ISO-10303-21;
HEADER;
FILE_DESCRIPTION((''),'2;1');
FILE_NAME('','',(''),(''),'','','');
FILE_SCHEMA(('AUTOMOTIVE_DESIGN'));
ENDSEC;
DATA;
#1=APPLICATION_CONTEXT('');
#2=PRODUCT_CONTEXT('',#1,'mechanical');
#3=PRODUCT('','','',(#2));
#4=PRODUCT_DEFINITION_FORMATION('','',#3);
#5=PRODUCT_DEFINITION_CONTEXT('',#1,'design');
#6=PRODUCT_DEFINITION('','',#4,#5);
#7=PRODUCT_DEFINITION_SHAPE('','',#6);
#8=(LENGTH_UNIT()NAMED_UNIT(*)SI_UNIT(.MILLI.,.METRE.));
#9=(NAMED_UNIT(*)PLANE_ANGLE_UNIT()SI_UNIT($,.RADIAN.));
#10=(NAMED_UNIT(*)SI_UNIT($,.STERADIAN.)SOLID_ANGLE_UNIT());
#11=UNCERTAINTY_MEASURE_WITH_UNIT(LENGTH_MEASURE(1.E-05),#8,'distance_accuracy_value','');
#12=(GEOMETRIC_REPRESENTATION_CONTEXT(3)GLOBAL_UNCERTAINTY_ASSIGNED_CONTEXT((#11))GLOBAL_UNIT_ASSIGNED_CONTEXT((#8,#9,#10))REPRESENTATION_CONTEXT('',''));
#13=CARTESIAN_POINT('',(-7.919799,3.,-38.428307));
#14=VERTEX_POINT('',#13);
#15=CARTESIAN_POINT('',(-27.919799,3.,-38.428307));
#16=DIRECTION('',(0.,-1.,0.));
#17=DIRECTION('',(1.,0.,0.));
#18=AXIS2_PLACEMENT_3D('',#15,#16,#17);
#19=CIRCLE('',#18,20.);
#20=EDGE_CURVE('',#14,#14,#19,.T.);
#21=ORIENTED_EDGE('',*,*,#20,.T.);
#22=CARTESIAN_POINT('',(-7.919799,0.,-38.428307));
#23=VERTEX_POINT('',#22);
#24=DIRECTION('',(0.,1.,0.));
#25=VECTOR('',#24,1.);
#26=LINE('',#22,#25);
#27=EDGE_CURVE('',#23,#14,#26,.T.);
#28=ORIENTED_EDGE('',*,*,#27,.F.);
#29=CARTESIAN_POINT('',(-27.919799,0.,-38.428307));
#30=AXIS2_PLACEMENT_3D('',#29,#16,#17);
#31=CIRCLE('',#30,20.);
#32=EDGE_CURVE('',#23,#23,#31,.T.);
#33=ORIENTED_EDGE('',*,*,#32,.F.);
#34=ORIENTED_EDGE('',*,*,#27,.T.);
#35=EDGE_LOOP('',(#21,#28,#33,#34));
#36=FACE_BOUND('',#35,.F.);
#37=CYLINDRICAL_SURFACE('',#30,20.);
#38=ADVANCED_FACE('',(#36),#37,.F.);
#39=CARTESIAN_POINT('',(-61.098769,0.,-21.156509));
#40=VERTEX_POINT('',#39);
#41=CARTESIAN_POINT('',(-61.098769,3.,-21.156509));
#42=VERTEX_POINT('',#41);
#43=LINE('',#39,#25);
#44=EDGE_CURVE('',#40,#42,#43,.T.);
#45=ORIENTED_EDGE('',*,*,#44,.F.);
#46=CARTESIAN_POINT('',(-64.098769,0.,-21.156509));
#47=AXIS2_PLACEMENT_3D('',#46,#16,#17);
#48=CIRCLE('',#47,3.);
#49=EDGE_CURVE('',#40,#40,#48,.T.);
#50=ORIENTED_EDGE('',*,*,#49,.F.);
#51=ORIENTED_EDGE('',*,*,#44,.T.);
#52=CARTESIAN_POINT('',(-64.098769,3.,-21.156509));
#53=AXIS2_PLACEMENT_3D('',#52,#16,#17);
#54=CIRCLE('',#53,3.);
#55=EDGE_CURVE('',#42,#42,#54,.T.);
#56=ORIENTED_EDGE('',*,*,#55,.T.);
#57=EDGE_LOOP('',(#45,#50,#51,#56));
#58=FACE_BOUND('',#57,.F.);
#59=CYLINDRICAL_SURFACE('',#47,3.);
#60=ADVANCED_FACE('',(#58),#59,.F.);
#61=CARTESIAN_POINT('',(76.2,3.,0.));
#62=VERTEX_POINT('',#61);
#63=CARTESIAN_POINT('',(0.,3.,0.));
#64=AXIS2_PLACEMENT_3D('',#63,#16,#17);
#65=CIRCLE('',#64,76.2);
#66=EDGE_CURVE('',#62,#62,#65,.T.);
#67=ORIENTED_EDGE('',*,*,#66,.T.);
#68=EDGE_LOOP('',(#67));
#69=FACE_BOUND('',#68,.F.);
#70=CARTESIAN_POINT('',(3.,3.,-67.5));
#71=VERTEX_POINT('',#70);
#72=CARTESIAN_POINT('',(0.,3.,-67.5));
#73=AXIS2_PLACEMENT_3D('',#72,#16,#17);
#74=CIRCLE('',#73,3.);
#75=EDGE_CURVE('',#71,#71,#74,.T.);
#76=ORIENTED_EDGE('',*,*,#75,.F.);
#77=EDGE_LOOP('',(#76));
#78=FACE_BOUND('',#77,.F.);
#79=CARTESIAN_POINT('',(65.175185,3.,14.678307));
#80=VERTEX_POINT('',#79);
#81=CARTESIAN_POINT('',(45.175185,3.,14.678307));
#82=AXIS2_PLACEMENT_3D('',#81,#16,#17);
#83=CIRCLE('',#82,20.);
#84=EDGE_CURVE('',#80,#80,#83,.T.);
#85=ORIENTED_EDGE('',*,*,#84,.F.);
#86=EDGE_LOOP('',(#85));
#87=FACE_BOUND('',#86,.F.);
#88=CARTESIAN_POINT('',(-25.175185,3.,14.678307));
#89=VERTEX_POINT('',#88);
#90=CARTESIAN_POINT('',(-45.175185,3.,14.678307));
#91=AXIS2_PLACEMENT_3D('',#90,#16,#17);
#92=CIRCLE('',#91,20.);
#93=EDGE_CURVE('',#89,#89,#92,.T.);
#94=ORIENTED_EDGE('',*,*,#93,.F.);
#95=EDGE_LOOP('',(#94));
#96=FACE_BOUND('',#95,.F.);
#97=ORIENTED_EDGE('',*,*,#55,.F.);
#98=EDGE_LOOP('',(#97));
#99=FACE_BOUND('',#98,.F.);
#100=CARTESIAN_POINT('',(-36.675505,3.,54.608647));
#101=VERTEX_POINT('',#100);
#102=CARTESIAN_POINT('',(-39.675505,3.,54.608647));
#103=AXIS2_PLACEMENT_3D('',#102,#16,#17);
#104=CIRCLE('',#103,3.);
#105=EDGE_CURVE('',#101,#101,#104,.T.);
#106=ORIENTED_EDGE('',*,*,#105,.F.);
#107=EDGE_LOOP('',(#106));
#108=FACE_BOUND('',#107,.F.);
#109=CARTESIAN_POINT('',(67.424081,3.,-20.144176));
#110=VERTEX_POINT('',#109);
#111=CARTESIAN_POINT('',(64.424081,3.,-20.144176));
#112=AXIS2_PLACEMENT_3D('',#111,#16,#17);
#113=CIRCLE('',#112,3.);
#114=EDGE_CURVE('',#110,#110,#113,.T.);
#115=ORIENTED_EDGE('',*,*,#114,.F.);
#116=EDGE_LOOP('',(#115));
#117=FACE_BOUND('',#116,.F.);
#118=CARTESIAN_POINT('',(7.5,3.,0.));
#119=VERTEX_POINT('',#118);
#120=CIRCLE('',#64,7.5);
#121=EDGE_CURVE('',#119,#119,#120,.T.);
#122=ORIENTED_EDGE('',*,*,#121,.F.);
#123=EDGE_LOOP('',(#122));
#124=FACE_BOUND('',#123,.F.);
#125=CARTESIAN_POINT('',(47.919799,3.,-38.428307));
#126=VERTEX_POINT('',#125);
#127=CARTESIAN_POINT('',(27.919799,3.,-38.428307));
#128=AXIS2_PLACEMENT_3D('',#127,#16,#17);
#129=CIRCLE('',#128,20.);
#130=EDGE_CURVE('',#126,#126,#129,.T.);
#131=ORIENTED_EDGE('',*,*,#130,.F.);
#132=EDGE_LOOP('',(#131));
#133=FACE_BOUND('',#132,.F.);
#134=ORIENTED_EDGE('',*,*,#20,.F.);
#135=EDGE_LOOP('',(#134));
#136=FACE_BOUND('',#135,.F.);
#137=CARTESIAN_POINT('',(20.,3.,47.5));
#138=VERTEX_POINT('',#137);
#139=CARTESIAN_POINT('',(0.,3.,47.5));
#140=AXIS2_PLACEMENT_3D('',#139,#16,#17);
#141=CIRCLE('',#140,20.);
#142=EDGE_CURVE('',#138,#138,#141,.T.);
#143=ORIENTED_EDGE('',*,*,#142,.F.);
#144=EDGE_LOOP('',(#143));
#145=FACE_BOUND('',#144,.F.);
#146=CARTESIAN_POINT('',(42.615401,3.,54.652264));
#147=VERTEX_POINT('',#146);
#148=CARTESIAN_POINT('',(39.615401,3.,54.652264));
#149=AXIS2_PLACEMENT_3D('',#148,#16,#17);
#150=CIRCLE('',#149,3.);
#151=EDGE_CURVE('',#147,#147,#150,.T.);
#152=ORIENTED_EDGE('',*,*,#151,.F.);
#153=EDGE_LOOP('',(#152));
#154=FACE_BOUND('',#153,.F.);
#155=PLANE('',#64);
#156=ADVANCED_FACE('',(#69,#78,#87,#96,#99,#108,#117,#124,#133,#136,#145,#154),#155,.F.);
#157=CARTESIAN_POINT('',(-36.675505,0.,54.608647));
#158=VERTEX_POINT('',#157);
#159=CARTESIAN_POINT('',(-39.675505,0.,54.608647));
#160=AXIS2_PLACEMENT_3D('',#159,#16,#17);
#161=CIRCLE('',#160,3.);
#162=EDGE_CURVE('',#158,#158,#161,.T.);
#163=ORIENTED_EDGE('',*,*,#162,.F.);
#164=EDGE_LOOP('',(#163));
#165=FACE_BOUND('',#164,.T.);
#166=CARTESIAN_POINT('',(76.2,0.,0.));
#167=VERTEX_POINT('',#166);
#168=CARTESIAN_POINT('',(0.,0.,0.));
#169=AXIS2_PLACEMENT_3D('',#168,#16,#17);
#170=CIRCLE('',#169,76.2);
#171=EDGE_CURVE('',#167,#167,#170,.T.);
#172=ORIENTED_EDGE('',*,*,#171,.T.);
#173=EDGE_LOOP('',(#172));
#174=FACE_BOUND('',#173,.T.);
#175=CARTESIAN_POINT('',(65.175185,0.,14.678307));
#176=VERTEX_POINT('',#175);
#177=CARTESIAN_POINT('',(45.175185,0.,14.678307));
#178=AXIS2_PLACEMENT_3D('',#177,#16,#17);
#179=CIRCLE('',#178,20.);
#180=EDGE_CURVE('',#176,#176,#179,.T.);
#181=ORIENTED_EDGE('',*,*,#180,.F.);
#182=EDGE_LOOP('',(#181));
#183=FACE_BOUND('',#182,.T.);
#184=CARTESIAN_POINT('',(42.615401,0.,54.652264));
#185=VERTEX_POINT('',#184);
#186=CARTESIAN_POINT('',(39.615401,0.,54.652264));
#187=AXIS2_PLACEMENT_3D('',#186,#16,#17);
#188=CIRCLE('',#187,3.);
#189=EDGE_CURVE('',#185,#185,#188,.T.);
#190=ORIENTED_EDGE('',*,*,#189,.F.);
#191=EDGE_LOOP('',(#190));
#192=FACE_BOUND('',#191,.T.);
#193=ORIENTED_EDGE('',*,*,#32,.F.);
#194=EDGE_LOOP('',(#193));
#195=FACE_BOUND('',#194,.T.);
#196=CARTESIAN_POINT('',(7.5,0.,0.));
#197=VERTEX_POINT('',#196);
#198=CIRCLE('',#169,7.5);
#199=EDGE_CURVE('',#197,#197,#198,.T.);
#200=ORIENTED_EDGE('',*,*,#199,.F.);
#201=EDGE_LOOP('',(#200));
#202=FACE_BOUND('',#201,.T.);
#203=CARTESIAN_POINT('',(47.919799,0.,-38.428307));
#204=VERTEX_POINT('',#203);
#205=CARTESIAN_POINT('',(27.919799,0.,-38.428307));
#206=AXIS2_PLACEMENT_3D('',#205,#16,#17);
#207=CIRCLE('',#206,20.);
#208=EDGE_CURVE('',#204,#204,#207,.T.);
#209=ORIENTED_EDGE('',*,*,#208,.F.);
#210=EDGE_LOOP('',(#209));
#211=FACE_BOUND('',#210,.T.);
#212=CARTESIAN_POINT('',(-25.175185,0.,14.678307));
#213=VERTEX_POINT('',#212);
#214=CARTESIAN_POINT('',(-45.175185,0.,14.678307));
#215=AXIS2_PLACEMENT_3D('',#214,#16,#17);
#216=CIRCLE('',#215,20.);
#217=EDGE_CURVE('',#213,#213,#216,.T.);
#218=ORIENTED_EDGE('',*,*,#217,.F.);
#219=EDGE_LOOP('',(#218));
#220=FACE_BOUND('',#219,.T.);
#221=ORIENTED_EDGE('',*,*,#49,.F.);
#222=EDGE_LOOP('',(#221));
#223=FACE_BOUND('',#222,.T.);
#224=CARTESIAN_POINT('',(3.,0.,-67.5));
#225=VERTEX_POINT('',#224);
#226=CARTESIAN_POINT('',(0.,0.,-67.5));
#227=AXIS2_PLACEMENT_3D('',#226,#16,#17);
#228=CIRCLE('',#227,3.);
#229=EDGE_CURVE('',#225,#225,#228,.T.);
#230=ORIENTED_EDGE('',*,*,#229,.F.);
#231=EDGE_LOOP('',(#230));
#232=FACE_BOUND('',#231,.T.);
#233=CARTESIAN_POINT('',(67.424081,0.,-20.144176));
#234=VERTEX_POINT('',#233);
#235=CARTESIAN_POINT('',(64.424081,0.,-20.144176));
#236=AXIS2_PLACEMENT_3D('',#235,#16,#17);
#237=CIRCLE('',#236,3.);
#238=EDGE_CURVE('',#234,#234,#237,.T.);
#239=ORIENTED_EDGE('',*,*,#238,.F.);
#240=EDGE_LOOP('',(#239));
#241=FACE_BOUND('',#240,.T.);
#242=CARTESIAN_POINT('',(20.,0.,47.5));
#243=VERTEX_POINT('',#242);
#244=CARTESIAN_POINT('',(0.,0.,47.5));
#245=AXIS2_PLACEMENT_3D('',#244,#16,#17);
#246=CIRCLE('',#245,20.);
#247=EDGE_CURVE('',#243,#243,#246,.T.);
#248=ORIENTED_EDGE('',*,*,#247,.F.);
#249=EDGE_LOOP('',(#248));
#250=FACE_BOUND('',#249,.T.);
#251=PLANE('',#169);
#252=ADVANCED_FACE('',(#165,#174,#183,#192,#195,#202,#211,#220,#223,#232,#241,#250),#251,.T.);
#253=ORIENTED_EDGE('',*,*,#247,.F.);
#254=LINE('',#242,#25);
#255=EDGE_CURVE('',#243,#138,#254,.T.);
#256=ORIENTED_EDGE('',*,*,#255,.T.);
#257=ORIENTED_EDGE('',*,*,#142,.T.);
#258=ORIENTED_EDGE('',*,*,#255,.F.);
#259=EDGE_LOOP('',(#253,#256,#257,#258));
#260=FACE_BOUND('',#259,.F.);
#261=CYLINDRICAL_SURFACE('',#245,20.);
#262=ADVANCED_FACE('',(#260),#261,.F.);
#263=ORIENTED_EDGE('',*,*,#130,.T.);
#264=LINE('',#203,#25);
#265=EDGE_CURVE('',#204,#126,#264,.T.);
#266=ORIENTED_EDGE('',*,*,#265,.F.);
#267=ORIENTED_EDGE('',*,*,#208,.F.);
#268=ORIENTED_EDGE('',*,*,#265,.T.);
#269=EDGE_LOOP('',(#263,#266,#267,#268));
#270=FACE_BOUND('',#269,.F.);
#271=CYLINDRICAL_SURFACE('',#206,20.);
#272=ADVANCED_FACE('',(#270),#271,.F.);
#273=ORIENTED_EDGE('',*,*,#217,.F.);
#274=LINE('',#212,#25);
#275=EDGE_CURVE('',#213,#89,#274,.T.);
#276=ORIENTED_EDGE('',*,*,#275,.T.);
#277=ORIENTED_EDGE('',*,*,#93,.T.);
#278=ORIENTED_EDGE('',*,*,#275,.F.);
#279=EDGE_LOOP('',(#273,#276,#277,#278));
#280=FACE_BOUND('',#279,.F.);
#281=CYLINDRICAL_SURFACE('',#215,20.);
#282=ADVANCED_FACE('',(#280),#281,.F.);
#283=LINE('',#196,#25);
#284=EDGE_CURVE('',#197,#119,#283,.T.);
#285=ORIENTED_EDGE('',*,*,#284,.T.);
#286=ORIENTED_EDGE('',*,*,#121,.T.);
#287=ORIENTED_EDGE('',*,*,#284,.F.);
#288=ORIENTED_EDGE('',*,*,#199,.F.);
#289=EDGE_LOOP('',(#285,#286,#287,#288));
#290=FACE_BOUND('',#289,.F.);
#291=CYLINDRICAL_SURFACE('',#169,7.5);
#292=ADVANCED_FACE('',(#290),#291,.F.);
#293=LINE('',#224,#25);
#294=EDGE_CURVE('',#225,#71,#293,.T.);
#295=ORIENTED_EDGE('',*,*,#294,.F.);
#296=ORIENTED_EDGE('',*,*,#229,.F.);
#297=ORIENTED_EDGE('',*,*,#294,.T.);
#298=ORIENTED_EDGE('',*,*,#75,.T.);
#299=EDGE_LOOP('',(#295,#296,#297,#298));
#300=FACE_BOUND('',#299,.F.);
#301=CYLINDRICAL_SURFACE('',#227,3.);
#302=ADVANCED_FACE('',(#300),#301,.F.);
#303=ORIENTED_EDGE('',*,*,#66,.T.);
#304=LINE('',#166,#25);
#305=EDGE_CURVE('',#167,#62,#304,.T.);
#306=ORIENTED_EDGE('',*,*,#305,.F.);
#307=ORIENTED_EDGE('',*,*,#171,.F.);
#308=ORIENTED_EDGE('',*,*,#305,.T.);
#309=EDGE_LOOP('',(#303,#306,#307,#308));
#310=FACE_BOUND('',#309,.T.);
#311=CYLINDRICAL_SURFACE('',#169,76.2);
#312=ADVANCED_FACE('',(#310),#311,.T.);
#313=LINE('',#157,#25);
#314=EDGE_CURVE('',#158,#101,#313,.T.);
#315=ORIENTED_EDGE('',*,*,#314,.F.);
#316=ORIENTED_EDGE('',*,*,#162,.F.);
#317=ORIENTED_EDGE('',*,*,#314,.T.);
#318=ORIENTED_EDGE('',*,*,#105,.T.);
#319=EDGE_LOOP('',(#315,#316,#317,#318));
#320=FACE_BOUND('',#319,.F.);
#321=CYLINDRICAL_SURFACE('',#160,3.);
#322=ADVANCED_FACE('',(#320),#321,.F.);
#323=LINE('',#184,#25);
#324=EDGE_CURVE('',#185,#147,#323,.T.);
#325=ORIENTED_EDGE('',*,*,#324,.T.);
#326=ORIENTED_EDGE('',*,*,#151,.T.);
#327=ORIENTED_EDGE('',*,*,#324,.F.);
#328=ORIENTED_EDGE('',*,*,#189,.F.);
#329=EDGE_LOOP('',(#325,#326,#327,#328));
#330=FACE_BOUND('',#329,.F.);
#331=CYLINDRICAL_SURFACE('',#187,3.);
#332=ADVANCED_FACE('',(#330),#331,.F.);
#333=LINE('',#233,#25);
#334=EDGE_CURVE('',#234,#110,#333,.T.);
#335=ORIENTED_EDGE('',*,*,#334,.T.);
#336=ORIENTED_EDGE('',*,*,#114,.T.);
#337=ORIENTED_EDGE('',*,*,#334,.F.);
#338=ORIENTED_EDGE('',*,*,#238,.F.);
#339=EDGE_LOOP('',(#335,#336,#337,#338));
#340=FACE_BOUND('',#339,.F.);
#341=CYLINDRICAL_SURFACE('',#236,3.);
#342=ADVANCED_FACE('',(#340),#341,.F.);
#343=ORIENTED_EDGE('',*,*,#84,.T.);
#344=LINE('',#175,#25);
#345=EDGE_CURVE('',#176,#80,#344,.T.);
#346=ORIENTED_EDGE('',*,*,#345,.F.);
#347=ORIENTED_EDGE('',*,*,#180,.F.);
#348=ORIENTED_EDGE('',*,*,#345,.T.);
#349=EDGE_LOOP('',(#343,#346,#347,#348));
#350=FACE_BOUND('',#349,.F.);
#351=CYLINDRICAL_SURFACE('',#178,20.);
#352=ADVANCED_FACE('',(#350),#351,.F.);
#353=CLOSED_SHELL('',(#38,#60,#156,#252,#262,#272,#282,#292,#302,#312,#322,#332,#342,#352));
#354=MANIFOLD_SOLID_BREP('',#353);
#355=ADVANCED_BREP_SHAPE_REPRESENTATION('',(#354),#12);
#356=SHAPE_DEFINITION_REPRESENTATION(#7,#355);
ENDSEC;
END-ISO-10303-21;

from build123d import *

# Parameters (mm, degrees)
F1_R     = 76.2
F1_R_2   = 20
F1_R_3   = 3
F1_R_4   = 7.5
F2_DEPTH = 3


with BuildPart() as f2:
    # F1 (on Front) → F2 (new body)
    with BuildSketch(Plane.XZ):
        Circle(F1_R)
        with Locations((-27.919799, -38.428307)):
            Circle(F1_R_2, mode=Mode.SUBTRACT)
        with Locations((-64.098769, -21.156509)):
            Circle(F1_R_3, mode=Mode.SUBTRACT)
        with Locations((0, -67.5)):
            Circle(F1_R_3, mode=Mode.SUBTRACT)
        with Locations((27.919799, -38.428307)):
            Circle(F1_R_2, mode=Mode.SUBTRACT)
        with Locations((64.424081, -20.144176)):
            Circle(F1_R_3, mode=Mode.SUBTRACT)
        with Locations((-45.175185, 14.678307)):
            Circle(F1_R_2, mode=Mode.SUBTRACT)
        with Locations((-39.675505, 54.608647)):
            Circle(F1_R_3, mode=Mode.SUBTRACT)
        Circle(F1_R_4, mode=Mode.SUBTRACT)
        with Locations((45.175185, 14.678307)):
            Circle(F1_R_2, mode=Mode.SUBTRACT)
        with Locations((0, 47.5)):
            Circle(F1_R_2, mode=Mode.SUBTRACT)
        with Locations((39.615401, 54.652264)):
            Circle(F1_R_3, mode=Mode.SUBTRACT)
    extrude(amount=-F2_DEPTH)


solid = f2.part
